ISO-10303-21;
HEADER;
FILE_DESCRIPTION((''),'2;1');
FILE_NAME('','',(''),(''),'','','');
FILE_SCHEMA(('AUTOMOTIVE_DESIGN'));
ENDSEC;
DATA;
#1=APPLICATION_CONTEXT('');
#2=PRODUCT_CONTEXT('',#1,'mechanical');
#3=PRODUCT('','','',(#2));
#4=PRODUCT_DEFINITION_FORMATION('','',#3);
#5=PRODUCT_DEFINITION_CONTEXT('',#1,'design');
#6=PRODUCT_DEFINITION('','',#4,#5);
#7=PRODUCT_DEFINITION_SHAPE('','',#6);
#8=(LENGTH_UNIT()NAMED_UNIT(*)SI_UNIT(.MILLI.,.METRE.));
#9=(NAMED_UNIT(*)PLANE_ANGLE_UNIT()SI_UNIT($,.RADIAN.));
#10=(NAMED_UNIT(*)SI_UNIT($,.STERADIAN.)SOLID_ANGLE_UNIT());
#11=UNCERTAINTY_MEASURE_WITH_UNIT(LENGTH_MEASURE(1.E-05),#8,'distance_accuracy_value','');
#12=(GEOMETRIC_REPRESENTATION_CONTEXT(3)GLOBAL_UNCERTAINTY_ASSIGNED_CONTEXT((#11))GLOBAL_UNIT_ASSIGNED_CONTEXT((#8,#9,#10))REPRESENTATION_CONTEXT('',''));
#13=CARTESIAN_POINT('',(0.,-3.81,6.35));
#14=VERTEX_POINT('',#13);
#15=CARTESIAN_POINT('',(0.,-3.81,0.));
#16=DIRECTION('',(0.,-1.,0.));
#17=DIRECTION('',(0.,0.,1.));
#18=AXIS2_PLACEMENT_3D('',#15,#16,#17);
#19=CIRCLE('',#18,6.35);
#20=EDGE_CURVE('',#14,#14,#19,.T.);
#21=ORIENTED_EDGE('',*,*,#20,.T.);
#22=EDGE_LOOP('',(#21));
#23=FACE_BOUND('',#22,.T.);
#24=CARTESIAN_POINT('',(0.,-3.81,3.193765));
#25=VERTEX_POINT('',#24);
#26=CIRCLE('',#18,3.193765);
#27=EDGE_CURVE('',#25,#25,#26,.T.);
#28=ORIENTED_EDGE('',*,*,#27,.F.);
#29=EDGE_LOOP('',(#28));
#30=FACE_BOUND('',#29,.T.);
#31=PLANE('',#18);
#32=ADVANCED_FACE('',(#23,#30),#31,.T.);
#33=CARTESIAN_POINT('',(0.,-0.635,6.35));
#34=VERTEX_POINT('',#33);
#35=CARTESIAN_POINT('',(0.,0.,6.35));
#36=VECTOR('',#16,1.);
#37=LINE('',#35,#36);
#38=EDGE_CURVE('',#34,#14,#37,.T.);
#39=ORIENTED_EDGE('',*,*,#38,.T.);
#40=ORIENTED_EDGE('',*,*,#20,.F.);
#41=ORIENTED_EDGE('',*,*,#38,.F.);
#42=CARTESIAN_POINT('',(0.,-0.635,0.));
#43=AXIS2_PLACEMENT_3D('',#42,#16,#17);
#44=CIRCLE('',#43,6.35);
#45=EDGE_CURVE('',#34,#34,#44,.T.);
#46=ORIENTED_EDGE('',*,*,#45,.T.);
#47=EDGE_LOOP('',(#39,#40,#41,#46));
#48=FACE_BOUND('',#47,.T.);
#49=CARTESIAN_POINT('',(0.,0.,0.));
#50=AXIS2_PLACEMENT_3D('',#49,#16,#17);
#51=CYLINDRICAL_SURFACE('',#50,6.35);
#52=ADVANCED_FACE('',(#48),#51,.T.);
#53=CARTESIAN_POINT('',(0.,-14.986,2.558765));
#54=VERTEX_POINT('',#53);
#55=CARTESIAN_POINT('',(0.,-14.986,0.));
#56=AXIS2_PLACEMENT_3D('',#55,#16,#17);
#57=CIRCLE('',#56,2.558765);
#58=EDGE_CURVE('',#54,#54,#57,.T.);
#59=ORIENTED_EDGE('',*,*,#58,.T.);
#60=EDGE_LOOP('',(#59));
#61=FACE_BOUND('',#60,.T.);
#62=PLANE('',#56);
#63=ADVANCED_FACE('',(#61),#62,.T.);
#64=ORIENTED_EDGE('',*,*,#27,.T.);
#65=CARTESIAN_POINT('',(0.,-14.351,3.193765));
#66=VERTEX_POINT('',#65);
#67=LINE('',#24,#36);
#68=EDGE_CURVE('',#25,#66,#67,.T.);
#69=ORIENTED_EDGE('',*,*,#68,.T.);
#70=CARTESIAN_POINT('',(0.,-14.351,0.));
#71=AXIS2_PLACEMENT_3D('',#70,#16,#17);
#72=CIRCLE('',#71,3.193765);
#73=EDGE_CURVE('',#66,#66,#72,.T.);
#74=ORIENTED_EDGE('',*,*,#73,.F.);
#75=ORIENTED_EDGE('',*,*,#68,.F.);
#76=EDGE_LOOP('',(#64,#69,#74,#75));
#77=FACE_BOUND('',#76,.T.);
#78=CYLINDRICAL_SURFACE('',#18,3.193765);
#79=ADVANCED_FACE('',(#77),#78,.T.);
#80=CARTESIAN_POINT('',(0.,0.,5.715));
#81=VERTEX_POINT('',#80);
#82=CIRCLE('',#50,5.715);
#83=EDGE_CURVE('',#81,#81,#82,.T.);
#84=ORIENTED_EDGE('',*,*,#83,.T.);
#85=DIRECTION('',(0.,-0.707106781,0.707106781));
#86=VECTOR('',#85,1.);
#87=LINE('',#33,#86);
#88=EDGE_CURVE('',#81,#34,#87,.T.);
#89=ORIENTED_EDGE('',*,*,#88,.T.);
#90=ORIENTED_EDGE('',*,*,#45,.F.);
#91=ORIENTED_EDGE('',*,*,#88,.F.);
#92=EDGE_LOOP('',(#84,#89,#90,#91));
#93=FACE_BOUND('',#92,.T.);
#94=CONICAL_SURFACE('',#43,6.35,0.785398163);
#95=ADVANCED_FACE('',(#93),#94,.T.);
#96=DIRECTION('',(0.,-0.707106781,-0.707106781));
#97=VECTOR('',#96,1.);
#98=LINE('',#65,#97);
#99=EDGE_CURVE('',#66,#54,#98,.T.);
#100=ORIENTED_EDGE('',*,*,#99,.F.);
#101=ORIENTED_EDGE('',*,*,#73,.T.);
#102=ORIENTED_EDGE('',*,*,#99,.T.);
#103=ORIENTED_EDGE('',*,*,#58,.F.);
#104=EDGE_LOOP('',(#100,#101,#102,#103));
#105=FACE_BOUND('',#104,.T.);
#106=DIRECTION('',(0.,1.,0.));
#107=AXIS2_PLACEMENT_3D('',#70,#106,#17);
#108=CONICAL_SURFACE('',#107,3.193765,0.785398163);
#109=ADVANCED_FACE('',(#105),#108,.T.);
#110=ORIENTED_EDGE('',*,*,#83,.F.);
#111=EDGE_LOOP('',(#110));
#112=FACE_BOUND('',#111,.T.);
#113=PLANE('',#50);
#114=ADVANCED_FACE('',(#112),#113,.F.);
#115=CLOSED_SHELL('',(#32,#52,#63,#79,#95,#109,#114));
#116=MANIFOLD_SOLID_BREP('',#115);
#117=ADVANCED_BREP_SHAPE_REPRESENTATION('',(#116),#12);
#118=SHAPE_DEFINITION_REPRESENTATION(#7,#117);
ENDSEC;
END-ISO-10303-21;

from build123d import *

# Parameters (mm, degrees)
F2_SIZE = 0.635


with BuildPart() as f1:
    # F0 (on Right) → F1 (revolve)
    with BuildSketch(Plane.YZ):
        Polygon((-14.986, 0), (0, 0), (0, 6.35), (-3.81, 6.35), (-3.81, 3.193765), (-14.986, 3.193765), align=None)
    revolve(axis=Axis((0, -7.493, 0), (0, -1, 0)))

    # F2
    f2_edges = [f1.edges().sort_by_distance(p)[0] for p in [
        (0, -14.986, -3.193765),
        (0, 0, -6.35),
    ]]
    chamfer(f2_edges, length=F2_SIZE)


solid = f1.part
